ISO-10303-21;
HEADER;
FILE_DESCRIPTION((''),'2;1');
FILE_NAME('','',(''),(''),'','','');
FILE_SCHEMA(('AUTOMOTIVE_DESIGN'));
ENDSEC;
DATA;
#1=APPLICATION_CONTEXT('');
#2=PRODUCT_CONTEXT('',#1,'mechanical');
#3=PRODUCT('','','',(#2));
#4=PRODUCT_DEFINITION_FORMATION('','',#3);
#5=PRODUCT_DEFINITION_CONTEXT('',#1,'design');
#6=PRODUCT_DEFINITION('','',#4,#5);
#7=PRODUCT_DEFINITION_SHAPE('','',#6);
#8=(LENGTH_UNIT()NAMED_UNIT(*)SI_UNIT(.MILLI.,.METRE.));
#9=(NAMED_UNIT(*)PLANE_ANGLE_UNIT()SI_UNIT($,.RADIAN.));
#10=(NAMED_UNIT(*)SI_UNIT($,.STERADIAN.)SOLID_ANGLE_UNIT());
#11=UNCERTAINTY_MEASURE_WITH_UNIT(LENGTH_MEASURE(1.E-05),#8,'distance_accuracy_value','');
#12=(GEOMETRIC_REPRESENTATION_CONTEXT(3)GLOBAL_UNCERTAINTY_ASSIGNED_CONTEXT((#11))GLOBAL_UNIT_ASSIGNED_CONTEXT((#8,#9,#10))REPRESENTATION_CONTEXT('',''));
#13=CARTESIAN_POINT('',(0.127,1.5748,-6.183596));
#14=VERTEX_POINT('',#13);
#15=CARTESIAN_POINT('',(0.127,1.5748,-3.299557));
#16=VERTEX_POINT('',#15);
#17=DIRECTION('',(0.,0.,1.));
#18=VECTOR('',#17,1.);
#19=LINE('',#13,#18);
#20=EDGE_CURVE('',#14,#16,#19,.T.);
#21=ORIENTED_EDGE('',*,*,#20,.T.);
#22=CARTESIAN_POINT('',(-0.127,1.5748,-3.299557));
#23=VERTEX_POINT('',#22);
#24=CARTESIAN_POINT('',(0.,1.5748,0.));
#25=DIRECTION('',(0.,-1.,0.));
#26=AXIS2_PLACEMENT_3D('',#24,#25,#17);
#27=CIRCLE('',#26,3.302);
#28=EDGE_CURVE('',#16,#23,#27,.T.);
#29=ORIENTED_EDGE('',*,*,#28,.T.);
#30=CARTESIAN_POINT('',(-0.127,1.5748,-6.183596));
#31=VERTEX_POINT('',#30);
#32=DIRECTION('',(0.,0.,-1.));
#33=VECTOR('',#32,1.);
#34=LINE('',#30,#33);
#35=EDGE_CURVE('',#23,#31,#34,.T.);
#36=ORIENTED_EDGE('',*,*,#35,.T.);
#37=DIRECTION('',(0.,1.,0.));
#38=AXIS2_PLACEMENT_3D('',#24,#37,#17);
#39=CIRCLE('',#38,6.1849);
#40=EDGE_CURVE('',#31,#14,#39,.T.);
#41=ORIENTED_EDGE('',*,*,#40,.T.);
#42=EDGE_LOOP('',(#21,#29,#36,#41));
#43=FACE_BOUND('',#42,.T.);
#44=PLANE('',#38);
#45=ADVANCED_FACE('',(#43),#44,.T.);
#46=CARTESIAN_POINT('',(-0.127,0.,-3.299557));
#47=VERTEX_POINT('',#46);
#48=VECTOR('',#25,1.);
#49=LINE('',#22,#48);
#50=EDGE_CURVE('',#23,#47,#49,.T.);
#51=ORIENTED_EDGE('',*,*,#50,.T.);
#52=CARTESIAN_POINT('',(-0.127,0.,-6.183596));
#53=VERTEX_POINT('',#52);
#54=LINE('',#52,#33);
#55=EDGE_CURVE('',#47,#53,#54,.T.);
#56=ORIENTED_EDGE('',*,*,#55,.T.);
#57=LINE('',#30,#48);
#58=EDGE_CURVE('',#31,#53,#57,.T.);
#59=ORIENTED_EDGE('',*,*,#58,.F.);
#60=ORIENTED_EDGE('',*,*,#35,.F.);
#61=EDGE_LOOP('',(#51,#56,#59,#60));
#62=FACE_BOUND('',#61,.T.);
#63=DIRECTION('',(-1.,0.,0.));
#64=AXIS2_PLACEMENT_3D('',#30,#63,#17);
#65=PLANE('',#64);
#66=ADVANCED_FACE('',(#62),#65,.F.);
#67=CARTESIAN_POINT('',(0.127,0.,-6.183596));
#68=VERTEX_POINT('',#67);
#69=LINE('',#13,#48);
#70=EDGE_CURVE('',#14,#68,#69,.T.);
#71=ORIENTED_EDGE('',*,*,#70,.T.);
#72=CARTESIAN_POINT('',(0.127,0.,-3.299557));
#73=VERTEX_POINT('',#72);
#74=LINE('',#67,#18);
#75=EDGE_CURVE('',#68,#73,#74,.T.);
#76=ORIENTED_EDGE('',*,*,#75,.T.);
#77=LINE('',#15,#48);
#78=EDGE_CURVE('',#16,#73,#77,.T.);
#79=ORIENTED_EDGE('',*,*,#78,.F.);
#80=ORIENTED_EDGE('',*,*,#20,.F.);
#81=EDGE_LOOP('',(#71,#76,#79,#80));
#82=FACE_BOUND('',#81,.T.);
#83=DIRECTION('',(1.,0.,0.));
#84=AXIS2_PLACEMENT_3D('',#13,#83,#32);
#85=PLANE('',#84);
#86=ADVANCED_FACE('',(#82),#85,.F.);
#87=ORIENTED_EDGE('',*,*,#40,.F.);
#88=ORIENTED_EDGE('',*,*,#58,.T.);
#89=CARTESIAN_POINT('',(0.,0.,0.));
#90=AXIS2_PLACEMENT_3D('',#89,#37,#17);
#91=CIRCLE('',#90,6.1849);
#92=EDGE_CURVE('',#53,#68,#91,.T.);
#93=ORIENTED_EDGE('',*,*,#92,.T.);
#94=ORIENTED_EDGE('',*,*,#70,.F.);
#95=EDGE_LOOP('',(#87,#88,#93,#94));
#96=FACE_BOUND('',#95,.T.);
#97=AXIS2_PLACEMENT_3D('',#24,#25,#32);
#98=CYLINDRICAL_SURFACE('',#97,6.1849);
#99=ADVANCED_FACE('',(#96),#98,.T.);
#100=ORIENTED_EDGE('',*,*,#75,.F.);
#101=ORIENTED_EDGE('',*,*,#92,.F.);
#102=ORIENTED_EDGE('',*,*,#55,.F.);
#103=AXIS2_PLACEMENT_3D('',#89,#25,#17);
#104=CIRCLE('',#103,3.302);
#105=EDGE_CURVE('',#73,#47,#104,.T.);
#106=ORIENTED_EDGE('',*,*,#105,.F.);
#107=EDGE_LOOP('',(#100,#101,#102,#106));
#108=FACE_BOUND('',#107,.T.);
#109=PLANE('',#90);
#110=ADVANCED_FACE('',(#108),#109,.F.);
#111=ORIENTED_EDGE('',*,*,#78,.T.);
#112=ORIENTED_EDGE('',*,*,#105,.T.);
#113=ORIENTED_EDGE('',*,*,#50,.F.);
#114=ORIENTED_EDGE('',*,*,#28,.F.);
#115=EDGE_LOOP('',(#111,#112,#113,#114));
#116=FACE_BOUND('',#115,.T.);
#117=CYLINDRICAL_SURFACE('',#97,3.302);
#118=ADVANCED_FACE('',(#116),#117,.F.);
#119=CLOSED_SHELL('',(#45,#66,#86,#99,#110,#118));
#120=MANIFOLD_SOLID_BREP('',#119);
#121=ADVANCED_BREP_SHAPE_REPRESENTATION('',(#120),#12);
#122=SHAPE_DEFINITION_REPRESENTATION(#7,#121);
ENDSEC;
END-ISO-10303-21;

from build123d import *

# Parameters (mm, degrees)
BOSS_EXTRUDE1_DEPTH = 1.5748


with BuildPart() as part:
    # Sketch5 → Boss-Extrude1 (new body)
    with BuildSketch(Plane(origin=(0, 0, 0), x_dir=(1, 0, 0), z_dir=(0, 1, 0))):
        with BuildLine():
            Line((-0.127, 6.183595961), (-0.127, 3.299556788))
            ThreePointArc((-0.127, 3.299556788), (0, -3.302), (0.127, 3.299556788))
            Line((0.127, 3.299556788), (0.127, 6.183595961))
            ThreePointArc((0.127, 6.183595961), (0, -6.1849), (-0.127, 6.183595961))
        make_face()
    extrude(amount=BOSS_EXTRUDE1_DEPTH)


solid = part.part
